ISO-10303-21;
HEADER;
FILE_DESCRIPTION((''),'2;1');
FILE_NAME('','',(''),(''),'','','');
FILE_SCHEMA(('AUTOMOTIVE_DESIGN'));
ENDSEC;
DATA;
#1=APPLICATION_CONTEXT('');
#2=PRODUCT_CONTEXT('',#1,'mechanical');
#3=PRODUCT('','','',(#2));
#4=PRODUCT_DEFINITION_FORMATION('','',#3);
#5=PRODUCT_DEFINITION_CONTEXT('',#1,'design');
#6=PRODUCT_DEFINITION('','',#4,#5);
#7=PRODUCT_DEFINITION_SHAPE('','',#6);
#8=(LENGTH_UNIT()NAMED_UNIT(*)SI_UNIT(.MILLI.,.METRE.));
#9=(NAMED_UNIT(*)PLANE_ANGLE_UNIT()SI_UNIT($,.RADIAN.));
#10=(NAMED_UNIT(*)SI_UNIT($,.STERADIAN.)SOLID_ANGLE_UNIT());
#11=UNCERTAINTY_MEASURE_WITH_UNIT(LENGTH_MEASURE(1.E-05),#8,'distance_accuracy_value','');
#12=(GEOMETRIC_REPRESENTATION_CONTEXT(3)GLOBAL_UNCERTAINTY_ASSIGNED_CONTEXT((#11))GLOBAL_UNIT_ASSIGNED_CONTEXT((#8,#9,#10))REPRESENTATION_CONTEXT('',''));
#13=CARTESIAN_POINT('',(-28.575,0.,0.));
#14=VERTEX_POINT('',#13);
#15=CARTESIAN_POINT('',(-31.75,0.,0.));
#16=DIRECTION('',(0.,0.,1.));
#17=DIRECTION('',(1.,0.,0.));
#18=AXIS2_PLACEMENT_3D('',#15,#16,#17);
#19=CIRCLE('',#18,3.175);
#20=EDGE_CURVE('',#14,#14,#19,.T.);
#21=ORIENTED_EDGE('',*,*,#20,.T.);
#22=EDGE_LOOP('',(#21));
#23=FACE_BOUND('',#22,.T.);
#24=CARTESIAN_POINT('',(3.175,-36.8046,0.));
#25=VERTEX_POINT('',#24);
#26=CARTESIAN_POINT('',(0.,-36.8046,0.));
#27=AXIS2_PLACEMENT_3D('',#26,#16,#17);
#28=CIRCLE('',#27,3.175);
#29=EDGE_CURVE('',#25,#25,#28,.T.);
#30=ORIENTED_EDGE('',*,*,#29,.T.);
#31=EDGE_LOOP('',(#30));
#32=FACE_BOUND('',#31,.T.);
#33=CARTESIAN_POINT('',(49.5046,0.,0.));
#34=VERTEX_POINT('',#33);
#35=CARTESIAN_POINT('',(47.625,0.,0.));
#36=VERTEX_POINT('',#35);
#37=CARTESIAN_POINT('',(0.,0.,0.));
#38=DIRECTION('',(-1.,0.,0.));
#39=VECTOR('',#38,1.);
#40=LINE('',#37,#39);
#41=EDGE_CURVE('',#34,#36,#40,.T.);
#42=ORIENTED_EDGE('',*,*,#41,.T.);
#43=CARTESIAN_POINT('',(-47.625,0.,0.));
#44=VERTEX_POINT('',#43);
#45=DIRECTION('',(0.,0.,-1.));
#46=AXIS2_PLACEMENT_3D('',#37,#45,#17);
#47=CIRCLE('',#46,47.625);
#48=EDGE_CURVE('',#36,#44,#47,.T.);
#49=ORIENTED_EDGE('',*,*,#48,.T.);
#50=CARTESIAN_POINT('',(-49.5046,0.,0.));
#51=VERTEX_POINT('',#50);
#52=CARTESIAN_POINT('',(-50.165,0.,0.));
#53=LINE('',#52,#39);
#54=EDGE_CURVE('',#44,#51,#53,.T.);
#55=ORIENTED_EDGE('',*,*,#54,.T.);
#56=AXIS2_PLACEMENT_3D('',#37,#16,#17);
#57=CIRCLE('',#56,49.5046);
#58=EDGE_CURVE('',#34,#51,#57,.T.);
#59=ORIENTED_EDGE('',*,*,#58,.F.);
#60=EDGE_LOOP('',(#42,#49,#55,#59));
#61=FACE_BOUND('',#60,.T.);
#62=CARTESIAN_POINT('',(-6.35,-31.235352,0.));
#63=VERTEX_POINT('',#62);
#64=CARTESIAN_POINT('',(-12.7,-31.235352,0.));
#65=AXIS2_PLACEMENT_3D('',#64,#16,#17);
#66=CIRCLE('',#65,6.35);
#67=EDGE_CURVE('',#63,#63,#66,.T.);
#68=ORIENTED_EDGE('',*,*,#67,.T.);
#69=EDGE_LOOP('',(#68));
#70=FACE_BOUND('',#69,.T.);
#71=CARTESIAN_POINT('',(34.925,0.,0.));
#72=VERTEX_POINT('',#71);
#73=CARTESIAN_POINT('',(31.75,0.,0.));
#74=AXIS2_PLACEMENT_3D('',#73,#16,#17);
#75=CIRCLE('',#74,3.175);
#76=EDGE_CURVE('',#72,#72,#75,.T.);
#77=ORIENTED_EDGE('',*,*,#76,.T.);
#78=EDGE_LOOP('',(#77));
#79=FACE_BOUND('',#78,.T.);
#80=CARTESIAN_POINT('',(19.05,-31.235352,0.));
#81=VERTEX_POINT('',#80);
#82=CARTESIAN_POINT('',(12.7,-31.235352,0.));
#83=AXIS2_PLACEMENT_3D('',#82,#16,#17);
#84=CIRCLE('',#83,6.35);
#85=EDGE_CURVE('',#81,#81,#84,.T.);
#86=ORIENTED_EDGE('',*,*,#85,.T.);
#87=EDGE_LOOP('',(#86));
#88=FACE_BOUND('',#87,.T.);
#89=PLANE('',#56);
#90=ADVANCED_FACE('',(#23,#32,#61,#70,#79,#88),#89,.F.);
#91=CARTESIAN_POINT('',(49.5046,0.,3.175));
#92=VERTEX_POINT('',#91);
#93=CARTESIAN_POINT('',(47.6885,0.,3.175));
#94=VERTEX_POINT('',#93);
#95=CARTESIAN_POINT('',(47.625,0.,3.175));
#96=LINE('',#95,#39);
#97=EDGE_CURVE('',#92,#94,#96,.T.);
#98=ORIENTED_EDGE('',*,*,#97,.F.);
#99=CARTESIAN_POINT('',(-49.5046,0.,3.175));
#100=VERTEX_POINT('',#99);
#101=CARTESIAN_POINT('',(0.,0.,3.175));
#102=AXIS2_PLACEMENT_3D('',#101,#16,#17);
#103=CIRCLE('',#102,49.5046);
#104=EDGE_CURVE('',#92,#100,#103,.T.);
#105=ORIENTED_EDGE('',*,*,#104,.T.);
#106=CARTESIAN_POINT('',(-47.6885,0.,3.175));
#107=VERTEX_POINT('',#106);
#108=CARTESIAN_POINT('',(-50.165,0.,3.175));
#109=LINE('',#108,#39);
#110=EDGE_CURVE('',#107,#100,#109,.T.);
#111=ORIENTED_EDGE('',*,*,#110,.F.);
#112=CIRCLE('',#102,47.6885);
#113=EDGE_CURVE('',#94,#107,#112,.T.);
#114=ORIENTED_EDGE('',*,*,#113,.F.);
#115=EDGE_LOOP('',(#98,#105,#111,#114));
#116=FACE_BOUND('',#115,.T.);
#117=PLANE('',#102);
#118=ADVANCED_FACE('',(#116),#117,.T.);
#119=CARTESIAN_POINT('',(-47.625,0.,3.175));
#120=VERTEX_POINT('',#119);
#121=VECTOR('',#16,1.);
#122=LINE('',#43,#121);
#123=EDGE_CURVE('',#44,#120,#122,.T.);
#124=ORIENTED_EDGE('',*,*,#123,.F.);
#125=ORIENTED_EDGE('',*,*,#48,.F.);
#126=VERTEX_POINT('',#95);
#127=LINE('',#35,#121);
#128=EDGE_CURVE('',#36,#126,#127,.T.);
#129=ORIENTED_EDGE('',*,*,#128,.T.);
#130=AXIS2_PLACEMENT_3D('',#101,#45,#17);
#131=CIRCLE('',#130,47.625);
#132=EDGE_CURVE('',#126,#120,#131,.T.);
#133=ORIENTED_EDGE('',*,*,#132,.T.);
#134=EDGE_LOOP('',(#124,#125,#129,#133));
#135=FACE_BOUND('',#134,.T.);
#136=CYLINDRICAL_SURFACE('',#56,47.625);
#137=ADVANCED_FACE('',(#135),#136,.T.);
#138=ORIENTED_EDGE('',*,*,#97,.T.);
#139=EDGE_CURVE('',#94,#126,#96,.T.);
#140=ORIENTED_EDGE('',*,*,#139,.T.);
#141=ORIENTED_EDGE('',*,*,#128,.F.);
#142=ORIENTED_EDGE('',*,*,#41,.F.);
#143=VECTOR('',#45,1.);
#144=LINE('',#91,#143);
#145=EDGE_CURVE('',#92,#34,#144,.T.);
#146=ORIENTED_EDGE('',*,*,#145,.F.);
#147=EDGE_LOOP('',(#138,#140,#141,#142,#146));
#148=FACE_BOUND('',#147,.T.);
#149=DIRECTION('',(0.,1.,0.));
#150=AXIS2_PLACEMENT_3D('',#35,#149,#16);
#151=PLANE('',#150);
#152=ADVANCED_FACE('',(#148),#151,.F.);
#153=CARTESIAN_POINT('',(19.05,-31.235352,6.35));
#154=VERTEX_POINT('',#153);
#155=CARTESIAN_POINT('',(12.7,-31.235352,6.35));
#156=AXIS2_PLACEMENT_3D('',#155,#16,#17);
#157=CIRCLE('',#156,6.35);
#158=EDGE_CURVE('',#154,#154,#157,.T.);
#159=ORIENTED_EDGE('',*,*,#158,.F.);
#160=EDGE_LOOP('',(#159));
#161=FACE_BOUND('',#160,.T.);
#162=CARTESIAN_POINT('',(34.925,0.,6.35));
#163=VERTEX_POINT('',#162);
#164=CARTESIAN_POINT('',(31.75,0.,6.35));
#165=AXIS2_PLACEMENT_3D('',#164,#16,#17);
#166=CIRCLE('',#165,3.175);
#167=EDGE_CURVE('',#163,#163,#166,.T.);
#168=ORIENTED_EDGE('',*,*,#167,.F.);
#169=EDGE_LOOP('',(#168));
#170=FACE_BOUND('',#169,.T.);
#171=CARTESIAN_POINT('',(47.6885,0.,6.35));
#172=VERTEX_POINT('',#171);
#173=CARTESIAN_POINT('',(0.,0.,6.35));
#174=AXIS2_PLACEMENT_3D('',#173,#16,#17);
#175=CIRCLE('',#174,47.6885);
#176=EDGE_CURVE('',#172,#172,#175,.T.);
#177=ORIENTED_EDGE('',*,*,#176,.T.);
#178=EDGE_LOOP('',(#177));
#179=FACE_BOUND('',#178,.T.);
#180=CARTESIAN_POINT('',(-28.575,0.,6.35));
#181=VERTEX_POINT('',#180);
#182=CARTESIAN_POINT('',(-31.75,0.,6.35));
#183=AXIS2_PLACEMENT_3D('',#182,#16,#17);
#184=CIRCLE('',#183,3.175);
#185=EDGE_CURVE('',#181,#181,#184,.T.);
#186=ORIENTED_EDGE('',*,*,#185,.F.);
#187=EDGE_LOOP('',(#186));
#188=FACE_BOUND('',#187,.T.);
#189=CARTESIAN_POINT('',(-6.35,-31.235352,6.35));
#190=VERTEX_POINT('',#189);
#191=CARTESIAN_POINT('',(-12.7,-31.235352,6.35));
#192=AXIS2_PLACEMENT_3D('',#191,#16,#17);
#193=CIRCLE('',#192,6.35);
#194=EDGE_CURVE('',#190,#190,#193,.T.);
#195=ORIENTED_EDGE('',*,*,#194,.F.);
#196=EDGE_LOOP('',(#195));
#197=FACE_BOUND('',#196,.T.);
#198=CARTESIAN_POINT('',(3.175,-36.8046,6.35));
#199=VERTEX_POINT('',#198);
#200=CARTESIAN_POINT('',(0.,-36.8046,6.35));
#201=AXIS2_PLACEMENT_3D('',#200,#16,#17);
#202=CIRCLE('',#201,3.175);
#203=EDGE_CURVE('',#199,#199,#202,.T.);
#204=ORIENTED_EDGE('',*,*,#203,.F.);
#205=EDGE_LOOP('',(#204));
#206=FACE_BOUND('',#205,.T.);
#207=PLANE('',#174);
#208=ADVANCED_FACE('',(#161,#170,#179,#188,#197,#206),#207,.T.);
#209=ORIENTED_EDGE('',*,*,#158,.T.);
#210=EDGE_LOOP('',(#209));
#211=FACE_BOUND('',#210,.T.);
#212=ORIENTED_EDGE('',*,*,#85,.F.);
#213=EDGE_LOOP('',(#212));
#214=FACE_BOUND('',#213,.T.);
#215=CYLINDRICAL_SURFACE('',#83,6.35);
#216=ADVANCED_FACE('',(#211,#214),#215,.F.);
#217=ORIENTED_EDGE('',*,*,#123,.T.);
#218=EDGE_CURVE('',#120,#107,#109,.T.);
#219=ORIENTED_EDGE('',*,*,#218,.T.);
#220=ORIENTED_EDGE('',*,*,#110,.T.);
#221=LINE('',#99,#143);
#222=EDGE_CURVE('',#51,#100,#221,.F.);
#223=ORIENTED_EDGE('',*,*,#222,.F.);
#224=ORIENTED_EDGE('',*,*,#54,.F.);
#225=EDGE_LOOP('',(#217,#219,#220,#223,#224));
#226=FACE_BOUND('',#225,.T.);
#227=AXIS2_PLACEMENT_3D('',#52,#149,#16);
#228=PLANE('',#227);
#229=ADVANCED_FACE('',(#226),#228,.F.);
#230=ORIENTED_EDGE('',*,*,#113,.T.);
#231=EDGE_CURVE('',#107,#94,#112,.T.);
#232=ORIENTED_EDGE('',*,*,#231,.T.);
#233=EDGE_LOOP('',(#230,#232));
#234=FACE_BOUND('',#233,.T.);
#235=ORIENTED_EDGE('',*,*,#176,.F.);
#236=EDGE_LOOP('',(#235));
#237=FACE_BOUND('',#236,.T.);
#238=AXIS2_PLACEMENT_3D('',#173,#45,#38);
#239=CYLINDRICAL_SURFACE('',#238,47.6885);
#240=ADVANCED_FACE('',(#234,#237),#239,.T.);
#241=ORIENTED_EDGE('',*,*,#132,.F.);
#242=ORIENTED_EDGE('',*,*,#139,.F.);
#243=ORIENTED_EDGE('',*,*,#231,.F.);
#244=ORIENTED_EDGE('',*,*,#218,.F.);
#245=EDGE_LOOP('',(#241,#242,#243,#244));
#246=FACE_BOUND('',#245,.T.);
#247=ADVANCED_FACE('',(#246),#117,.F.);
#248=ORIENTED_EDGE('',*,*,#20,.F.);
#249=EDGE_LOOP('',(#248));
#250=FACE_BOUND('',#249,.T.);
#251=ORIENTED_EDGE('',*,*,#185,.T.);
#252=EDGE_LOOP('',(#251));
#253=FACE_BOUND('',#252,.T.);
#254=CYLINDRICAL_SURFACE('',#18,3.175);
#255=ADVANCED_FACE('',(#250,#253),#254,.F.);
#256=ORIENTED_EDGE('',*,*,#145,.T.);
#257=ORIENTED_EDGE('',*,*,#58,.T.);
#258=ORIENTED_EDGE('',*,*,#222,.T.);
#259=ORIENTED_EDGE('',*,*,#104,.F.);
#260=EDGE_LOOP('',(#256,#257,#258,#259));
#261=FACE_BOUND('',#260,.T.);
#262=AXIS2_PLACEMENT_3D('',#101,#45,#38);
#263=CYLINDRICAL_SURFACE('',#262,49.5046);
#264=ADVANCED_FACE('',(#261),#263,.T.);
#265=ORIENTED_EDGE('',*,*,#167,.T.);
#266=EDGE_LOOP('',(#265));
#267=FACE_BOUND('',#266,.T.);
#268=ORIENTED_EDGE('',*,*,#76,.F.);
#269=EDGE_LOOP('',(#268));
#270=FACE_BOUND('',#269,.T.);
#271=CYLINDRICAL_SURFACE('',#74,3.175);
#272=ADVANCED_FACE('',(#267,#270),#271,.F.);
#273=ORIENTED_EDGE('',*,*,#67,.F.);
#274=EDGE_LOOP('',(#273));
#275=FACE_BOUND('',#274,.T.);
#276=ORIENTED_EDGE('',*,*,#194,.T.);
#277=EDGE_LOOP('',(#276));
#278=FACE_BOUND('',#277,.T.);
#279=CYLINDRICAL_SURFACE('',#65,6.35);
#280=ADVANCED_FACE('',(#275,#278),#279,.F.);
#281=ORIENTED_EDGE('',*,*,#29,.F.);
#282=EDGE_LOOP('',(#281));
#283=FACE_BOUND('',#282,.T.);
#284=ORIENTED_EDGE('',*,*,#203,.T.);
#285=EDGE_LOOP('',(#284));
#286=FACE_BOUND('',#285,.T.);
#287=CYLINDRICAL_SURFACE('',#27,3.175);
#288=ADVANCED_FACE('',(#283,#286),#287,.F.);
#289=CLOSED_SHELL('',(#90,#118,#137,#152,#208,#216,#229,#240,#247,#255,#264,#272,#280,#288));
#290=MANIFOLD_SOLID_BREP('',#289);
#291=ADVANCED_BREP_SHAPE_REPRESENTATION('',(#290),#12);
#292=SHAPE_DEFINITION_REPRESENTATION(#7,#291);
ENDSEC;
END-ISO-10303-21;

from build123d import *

# Parameters (mm, degrees)
SKETCH1_R           = 49.5046
BOSS_EXTRUDE1_DEPTH = 3.175
SKETCH2_R           = 47.6885
BOSS_EXTRUDE2_DEPTH = 3.175
SKETCH3_R           = 3.175
SKETCH3_R_2         = 6.35
CUT_EXTRUDE1_DEPTH  = 7.35
CUT_EXTRUDE2_DEPTH  = 4.175


with BuildPart() as part:
    # Sketch1 → Boss-Extrude1 (new body)
    with BuildSketch(Plane.XY):
        Circle(SKETCH1_R)
    extrude(amount=BOSS_EXTRUDE1_DEPTH)

    # Sketch2 → Boss-Extrude2 (add)
    with BuildSketch(Plane.XY.offset(3.175)):
        Circle(SKETCH2_R)
    extrude(amount=BOSS_EXTRUDE2_DEPTH)

    # Sketch3 → Cut-Extrude1 (cut, through all)
    with BuildSketch(Plane.XY.offset(6.35)):
        with Locations((-31.75, 0)):
            Circle(SKETCH3_R)
        with Locations((31.75, 0)):
            Circle(SKETCH3_R)
        with Locations((-12.7, -31.235352443)):
            Circle(SKETCH3_R_2)
        with Locations((12.7, -31.235352443)):
            Circle(SKETCH3_R_2)
        with Locations((0, -36.8046)):
            Circle(SKETCH3_R)
    extrude(amount=-CUT_EXTRUDE1_DEPTH, mode=Mode.SUBTRACT)

    # Sketch4 → Cut-Extrude2 (cut, through all)
    with BuildSketch(Plane.XY.offset(3.175)):
        with BuildLine():
            Line((-50.165, 0), (-47.625, 0))
            ThreePointArc((-47.625, 0), (0, -47.625), (47.625, 0))
            Line((47.625, 0), (50.165, 0))
            ThreePointArc((50.165, 0), (0, -50.165), (-50.165, 0))
        make_face()
    extrude(amount=-CUT_EXTRUDE2_DEPTH, mode=Mode.SUBTRACT)


solid = part.part
